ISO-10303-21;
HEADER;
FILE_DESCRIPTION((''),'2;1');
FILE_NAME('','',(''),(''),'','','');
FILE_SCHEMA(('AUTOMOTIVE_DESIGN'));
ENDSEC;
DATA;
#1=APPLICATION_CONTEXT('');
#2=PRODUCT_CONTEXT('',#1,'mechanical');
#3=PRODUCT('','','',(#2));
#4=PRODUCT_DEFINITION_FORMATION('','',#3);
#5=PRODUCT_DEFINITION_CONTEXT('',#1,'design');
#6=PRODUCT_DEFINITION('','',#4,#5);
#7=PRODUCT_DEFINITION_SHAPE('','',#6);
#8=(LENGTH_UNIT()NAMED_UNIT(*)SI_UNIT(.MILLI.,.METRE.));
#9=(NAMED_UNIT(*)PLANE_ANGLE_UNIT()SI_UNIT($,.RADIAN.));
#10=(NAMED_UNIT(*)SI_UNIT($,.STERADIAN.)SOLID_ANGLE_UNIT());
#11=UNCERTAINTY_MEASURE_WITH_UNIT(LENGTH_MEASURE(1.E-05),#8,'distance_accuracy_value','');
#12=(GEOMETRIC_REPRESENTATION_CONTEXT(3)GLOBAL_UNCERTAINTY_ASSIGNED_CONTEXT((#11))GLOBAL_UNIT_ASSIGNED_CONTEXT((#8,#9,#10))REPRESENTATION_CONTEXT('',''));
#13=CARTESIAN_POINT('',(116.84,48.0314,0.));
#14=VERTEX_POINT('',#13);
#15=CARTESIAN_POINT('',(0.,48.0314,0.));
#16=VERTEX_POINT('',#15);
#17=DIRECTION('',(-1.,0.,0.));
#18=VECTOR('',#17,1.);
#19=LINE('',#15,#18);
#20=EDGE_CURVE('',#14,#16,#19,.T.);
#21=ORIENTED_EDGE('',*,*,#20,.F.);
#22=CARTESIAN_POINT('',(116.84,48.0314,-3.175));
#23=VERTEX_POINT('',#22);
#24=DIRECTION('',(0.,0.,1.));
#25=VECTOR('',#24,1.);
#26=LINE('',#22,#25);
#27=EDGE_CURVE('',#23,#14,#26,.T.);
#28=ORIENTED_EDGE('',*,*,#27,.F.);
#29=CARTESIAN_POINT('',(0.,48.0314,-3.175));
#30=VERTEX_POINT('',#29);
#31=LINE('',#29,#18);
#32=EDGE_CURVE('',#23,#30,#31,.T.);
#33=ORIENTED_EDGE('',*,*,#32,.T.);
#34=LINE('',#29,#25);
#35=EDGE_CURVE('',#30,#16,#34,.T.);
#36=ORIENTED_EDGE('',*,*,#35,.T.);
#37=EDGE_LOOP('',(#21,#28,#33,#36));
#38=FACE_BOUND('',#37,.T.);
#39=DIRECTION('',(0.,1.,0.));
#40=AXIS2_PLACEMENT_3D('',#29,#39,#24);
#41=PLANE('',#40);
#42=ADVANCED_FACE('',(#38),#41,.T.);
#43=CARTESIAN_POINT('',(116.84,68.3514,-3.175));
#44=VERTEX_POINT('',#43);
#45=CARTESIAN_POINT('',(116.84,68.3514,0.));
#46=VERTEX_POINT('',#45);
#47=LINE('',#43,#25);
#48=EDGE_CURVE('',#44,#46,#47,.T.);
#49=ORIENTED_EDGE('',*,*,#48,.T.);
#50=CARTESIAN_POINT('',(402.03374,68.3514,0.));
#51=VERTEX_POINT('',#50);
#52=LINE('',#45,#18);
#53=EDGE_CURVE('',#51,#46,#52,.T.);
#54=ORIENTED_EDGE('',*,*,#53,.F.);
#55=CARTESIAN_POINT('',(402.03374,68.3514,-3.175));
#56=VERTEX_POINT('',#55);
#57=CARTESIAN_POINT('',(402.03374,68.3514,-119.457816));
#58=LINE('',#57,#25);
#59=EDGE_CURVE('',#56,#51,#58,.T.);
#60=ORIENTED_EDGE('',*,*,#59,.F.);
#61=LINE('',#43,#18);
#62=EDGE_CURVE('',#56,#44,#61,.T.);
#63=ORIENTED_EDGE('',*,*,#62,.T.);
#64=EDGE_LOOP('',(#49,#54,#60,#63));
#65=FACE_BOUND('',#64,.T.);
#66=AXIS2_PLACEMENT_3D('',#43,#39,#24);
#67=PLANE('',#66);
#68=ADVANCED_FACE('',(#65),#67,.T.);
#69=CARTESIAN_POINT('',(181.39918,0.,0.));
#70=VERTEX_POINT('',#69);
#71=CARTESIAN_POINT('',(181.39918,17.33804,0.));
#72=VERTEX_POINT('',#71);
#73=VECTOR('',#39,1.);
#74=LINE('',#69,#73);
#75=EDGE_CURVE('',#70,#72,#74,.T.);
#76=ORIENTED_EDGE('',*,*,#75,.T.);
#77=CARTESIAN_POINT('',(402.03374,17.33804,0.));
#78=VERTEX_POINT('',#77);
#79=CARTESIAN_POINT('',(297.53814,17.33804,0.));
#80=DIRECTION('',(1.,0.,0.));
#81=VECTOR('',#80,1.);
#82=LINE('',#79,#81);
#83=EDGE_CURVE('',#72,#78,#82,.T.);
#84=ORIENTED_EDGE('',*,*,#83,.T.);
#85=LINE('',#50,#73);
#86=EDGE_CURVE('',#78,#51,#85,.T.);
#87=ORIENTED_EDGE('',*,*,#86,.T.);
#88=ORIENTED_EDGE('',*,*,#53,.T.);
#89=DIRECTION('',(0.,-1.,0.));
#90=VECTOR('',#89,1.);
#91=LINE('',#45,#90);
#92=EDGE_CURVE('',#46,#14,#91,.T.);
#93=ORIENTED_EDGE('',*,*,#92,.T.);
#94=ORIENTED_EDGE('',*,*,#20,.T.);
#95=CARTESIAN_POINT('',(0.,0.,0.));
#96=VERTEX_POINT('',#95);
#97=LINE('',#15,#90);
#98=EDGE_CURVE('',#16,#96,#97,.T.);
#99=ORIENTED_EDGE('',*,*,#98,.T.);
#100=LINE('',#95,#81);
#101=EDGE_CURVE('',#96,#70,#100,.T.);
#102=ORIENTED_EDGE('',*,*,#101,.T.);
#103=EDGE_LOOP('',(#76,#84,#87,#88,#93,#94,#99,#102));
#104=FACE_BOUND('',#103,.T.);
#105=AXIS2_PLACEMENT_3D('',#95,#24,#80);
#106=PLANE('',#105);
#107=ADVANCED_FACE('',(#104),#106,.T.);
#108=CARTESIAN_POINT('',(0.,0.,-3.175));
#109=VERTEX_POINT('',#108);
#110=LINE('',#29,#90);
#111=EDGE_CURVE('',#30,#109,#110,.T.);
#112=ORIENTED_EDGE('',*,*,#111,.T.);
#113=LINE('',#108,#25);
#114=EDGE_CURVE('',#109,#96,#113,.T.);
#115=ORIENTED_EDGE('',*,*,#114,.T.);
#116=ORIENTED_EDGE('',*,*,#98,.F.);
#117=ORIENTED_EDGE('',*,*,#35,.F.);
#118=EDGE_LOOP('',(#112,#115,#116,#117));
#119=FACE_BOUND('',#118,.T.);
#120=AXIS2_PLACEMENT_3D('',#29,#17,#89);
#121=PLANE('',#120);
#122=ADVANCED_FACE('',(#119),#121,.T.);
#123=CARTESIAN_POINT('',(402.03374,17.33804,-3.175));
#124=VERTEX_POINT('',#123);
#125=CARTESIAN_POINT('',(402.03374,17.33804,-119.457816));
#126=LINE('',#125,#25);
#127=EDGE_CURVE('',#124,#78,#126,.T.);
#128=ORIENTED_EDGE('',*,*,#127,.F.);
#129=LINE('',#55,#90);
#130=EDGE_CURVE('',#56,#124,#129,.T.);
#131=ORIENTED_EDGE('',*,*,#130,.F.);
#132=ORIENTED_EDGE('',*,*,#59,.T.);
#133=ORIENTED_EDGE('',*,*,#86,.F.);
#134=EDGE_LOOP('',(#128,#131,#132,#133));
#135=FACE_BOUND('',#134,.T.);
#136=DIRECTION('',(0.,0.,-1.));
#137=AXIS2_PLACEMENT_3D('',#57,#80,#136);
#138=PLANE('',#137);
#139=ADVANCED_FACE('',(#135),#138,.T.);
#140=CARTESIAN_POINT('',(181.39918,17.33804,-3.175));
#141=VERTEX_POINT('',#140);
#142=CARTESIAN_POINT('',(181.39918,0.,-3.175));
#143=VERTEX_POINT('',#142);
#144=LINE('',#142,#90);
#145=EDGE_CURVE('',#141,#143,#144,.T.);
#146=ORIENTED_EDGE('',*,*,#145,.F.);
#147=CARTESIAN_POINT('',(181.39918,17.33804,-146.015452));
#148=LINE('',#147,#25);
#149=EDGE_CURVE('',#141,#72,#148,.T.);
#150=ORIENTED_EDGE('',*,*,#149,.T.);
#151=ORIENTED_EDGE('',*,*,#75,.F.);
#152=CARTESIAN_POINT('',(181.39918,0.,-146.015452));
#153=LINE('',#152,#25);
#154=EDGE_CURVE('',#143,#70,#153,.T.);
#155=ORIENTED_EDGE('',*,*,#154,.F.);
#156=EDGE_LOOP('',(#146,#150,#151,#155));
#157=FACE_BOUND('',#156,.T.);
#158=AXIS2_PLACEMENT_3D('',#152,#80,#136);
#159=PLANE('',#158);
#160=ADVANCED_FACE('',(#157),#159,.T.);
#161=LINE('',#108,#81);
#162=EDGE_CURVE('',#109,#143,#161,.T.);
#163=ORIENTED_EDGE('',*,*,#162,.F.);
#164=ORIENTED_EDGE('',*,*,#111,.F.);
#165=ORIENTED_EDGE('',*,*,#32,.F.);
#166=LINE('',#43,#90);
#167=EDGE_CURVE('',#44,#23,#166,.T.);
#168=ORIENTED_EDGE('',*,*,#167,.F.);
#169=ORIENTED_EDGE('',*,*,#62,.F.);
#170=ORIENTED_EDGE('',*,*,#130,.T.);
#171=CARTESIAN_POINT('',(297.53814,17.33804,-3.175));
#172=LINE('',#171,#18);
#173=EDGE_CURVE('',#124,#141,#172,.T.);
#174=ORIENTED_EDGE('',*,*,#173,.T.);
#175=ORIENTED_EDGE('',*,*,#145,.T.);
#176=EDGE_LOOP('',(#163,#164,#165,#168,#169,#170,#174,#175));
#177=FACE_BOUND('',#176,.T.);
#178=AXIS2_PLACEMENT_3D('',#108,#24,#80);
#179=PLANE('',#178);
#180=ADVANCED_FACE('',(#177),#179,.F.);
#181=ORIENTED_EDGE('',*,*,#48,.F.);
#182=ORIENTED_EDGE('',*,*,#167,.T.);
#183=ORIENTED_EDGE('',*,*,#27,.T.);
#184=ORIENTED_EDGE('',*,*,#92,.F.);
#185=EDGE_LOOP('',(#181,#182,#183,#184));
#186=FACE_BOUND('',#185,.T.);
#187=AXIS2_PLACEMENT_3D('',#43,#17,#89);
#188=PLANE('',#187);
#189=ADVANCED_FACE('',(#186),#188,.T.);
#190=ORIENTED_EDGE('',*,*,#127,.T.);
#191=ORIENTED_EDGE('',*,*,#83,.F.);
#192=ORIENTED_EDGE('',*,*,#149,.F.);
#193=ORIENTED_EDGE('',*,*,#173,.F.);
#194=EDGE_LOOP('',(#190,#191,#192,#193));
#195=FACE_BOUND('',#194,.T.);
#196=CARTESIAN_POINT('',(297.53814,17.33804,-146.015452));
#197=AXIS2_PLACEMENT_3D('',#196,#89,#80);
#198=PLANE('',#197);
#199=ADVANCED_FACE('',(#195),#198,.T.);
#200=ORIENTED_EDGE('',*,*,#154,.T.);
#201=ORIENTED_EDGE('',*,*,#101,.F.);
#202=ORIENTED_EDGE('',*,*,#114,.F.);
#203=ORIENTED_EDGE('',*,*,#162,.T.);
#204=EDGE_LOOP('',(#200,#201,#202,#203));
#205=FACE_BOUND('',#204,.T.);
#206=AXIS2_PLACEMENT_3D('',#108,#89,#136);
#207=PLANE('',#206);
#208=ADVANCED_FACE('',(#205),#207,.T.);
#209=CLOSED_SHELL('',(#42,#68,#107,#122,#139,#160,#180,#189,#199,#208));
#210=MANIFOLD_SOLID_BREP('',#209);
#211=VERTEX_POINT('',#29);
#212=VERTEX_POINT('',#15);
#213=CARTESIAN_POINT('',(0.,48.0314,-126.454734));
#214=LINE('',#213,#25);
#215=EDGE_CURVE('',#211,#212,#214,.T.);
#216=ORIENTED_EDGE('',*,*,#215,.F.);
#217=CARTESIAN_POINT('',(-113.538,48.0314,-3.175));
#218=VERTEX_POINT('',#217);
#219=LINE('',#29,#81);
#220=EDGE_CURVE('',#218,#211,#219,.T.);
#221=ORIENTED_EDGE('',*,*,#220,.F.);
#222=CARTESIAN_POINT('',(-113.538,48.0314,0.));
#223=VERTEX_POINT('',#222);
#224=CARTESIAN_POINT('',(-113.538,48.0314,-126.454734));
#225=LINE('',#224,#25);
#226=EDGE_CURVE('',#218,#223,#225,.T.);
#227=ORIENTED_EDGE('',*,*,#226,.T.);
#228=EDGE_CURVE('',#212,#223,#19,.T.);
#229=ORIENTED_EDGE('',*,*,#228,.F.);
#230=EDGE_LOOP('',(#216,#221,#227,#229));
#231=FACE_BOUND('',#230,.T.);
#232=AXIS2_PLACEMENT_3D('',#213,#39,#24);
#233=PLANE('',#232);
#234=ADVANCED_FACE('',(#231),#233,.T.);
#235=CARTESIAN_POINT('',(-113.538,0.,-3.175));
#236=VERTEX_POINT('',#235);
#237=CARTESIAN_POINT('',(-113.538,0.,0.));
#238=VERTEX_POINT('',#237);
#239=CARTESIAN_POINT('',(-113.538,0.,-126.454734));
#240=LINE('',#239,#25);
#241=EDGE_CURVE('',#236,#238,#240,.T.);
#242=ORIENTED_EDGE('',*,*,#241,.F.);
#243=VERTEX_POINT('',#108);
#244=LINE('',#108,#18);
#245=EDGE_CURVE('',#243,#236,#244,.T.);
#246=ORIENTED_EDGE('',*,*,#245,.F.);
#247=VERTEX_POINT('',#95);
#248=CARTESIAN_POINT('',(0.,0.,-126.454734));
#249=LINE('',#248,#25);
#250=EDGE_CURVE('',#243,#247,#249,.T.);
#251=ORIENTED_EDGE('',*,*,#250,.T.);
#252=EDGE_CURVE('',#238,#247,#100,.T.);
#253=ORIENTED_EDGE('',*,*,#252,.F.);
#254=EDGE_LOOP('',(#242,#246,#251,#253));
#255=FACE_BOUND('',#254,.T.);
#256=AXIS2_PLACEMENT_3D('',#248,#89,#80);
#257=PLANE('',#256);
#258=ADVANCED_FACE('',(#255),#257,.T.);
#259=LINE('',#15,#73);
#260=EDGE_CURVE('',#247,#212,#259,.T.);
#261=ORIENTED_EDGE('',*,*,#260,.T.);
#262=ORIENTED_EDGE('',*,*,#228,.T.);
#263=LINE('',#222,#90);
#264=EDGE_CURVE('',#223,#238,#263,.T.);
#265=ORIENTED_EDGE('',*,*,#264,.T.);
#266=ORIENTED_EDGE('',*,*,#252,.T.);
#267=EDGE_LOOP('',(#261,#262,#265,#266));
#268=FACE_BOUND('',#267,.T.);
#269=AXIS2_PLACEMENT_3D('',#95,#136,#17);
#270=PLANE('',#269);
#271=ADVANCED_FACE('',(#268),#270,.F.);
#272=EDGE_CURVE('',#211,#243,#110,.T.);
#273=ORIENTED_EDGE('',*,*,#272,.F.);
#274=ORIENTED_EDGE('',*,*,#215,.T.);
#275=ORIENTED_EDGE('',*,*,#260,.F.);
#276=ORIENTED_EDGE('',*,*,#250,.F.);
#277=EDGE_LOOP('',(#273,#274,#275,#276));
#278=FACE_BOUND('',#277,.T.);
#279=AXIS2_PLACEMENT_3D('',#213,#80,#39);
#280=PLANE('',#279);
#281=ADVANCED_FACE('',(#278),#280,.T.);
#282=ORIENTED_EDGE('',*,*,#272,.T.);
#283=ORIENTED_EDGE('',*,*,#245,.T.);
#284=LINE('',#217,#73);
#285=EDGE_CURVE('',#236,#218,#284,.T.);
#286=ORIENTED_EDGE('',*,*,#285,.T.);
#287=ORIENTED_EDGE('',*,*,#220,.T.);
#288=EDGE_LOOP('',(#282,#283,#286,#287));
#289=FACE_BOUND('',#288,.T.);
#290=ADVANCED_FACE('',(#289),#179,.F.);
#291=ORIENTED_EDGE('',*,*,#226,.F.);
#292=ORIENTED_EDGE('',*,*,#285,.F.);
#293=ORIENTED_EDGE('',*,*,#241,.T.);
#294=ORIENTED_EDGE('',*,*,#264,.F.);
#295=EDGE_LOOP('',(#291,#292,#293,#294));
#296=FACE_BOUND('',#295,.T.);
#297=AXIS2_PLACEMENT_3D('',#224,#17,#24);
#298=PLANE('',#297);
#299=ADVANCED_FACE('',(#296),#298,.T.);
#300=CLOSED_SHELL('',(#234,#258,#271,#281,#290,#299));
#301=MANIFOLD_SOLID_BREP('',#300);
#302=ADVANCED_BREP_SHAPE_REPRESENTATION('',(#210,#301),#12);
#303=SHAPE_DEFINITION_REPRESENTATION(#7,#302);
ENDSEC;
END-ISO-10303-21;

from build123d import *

# Parameters (mm, degrees)
BOSS_EXTRUDE1_DEPTH = 3.175
SKETCH2_W           = 113.538
SKETCH2_H           = 48.0314
BOSS_EXTRUDE2_DEPTH = 3.175
BOSS_EXTRUDE3_DEPTH = 3.175
SKETCH4_W           = 104.4956
SKETCH4_H           = 51.01336
BOSS_EXTRUDE4_DEPTH = 3.175


with BuildPart() as part:
    # Sketch1 → Boss-Extrude1 (new body)
    with BuildSketch(Plane.XY):
        Polygon((0, 48.0314), (0, 0), (172.11294, 0), (172.11294, 68.3514), (116.84, 68.3514), (116.84, 48.0314), align=None)
    extrude(amount=-BOSS_EXTRUDE1_DEPTH)

    # Sketch3 → Boss-Extrude3 (add)
    with BuildSketch(Plane.XY):
        Polygon((172.11294, 68.3514), (297.53814, 68.3514), (297.53814, 17.33804), (181.39918, 17.33804), (181.39918, 0), (172.11294, 0), align=None)
    extrude(amount=-BOSS_EXTRUDE3_DEPTH)

    # Sketch4 → Boss-Extrude4 (add)
    with BuildSketch(Plane.XY):
        with Locations((349.78594, 42.84472)):
            Rectangle(SKETCH4_W, SKETCH4_H)
    extrude(amount=-BOSS_EXTRUDE4_DEPTH)


with BuildPart() as body_2:
    # Sketch2 → Boss-Extrude2 (new body)
    with BuildSketch(Plane.XY):
        with Locations((-56.769, 24.0157)):
            Rectangle(SKETCH2_W, SKETCH2_H)
    extrude(amount=-BOSS_EXTRUDE2_DEPTH)


solid = Compound([part.part, body_2.part])
